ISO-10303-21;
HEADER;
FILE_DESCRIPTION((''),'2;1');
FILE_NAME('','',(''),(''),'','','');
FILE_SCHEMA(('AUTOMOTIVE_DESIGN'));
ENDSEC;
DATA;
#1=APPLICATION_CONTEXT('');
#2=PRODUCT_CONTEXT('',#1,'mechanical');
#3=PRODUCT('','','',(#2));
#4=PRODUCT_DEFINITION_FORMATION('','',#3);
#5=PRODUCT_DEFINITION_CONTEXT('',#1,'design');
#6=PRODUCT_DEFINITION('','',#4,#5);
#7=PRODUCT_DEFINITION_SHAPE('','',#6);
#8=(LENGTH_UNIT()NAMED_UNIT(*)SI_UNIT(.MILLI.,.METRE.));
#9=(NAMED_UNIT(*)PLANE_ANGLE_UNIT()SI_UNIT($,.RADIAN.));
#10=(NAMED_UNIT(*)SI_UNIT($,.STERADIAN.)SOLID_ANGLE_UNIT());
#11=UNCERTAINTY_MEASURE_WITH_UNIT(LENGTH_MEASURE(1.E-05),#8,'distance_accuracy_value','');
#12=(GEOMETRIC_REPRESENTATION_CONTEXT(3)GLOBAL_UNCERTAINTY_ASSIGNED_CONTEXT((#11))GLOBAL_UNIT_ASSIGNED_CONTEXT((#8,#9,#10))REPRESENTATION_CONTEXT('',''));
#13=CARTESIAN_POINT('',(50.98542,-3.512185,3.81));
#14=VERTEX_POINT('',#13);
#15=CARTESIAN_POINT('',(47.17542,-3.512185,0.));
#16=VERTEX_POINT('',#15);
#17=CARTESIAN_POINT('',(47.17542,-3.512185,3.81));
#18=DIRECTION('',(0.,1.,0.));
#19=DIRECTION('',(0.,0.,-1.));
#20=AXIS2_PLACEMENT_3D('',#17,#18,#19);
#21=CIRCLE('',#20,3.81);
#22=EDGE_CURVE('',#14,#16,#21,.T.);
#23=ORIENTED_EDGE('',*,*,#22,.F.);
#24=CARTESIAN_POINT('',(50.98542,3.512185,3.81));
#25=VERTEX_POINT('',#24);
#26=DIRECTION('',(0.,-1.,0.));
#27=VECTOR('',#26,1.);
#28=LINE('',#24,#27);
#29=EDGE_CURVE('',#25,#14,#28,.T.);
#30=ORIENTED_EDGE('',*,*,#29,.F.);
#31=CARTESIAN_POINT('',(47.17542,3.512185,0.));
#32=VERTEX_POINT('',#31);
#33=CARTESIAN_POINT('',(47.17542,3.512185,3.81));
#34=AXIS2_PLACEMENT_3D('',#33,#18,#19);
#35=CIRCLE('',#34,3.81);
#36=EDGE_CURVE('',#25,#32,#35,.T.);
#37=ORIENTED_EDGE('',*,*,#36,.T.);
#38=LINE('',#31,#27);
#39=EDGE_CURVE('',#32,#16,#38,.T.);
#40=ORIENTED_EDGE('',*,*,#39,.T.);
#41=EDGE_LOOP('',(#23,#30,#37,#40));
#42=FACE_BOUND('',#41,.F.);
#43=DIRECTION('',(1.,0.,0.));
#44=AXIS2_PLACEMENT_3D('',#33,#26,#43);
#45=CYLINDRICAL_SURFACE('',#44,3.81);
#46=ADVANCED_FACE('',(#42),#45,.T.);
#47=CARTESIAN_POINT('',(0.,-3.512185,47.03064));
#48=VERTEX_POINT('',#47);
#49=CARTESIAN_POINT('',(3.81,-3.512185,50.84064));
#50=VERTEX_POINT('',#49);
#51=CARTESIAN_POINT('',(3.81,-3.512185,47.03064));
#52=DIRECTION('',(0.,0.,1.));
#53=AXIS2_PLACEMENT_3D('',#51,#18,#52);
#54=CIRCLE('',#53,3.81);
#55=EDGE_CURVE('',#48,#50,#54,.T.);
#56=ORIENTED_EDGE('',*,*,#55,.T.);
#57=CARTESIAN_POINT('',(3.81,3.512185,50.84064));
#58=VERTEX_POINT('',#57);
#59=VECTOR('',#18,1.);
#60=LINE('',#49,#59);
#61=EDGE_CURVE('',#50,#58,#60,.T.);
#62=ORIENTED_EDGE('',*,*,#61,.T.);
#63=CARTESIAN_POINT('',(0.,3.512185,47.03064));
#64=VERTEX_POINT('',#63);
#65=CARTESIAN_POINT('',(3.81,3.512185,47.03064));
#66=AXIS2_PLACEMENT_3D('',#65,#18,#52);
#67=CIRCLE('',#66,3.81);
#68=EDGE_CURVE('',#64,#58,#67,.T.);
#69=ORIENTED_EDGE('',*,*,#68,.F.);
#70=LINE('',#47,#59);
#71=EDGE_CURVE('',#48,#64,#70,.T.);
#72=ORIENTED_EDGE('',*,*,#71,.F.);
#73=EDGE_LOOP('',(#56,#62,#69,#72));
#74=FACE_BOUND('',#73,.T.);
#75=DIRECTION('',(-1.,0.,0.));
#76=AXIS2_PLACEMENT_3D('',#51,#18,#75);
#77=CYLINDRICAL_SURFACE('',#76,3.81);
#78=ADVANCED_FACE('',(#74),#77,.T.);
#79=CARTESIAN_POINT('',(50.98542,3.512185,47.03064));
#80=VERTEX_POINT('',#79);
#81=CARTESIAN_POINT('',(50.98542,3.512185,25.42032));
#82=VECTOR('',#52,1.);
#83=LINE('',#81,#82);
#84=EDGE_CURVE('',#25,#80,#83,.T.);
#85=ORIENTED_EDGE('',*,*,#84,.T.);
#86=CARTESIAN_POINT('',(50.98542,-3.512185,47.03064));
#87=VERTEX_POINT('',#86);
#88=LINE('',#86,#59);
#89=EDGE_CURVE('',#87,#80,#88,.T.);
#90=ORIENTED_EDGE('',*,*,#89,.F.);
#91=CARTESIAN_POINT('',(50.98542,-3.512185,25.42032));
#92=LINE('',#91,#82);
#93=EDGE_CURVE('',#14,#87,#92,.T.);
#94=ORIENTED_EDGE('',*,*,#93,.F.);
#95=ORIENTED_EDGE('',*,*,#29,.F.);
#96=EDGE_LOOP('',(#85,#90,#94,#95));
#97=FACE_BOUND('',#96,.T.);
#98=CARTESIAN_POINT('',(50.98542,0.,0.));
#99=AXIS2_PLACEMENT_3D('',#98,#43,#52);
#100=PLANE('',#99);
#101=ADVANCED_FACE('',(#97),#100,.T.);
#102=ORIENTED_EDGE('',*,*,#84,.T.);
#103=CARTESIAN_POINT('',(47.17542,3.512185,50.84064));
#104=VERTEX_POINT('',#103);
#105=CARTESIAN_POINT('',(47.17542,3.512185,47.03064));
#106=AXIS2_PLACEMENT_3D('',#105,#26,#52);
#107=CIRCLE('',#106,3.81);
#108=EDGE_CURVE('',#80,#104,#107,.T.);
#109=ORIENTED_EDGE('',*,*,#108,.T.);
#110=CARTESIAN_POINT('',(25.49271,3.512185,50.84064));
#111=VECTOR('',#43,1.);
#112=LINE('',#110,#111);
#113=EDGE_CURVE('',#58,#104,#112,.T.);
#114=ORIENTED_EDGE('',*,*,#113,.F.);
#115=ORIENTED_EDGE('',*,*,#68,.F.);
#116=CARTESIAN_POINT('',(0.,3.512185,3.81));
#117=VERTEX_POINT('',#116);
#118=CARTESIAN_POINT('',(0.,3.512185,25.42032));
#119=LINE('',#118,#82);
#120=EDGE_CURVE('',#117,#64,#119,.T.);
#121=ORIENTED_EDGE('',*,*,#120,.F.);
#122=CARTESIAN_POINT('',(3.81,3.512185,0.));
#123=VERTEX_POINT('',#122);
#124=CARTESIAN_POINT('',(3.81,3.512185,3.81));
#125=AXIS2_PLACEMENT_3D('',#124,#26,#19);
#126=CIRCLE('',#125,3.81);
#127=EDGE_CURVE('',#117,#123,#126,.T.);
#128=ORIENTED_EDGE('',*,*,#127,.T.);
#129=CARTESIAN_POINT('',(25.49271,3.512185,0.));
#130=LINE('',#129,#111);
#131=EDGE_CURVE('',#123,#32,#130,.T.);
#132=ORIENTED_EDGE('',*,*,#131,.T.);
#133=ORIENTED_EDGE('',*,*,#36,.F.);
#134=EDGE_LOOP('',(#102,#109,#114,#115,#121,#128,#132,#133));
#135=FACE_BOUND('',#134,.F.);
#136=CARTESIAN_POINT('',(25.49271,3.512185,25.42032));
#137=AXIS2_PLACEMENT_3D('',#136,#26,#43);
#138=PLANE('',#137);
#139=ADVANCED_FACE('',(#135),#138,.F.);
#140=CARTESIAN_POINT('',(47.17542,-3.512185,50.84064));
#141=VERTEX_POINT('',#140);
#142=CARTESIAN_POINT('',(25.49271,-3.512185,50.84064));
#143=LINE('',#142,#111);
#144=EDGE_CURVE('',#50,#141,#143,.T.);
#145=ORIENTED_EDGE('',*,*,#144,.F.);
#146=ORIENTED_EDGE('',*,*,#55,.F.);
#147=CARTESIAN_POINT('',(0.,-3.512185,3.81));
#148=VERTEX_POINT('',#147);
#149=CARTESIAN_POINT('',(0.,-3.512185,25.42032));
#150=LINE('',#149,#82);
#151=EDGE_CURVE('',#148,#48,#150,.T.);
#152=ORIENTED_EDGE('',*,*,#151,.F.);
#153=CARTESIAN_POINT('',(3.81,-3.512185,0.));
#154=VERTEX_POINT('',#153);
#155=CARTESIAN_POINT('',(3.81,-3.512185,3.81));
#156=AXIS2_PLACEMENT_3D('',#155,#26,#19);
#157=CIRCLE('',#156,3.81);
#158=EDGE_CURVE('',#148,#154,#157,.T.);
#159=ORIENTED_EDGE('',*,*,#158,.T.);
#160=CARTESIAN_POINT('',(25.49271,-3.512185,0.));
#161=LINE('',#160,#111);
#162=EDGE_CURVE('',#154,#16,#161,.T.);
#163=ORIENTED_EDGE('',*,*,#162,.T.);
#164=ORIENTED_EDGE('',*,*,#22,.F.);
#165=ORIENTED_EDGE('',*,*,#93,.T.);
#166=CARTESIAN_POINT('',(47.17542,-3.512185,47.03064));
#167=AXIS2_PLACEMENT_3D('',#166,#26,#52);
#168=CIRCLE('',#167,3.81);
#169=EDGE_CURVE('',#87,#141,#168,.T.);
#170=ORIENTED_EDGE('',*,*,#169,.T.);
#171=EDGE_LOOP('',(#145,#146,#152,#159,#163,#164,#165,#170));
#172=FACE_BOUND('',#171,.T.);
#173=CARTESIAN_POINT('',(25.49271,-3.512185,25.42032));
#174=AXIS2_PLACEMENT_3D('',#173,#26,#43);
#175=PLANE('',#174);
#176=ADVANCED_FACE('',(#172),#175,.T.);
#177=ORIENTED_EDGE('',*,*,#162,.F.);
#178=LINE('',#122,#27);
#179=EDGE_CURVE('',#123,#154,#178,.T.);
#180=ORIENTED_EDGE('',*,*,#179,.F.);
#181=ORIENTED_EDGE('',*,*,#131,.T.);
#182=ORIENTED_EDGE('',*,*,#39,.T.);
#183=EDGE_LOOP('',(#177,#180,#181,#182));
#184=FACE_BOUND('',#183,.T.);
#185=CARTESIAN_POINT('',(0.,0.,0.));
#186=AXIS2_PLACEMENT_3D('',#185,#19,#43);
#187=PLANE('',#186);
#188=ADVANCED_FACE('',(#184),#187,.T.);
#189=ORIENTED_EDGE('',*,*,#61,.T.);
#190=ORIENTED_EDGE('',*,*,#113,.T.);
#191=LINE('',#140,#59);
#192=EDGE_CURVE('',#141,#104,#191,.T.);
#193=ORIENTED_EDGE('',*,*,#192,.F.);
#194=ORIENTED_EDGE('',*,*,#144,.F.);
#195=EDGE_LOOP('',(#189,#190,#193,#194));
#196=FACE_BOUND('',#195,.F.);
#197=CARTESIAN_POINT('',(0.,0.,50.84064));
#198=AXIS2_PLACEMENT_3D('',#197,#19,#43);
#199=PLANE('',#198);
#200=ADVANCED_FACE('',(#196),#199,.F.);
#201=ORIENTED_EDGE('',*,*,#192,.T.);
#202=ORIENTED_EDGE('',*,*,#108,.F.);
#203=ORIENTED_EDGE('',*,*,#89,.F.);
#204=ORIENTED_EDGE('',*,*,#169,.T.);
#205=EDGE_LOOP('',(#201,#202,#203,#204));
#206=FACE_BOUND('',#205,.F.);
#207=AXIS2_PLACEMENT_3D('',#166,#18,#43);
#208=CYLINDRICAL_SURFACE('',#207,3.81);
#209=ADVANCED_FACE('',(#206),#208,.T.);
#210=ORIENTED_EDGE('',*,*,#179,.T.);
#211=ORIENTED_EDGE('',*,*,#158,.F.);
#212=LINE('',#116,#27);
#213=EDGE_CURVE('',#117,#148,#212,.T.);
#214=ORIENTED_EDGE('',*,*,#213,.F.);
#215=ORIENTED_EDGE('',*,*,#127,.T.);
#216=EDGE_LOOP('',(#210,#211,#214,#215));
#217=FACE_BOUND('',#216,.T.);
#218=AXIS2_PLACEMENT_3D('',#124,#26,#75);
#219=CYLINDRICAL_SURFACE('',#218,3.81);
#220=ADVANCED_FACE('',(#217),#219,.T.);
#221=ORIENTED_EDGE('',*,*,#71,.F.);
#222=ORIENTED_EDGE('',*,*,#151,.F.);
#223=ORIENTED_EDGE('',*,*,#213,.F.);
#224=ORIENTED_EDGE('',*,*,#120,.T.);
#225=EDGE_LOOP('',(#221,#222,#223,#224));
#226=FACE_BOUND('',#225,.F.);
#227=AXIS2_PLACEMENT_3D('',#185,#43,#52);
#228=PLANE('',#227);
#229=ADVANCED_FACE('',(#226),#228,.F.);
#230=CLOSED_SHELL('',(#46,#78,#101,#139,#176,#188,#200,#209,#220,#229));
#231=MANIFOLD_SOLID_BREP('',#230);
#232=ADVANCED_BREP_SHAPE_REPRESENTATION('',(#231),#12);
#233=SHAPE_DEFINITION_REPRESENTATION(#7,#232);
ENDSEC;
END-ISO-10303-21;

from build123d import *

# Parameters (mm, degrees)
F0_W     = 50.98542
F0_H     = 50.84064
F1_DEPTH = 3.512185
F2_R     = 3.81


with BuildPart() as f1:
    # F0 (on Front) → F1 (new body, symmetric)
    with BuildSketch(Plane.XZ):
        with Locations((25.49271, 25.42032)):
            Rectangle(F0_W, F0_H)
    extrude(amount=F1_DEPTH, both=True)

    # F2
    f2_edges = [f1.edges().sort_by_distance(p)[0] for p in [
        (50.98542, 0, 50.84064),
        (50.98542, 0, 0),
        (0, 0, 0),
        (0, 0, 50.84064),
    ]]
    fillet(f2_edges, radius=F2_R)


solid = f1.part
